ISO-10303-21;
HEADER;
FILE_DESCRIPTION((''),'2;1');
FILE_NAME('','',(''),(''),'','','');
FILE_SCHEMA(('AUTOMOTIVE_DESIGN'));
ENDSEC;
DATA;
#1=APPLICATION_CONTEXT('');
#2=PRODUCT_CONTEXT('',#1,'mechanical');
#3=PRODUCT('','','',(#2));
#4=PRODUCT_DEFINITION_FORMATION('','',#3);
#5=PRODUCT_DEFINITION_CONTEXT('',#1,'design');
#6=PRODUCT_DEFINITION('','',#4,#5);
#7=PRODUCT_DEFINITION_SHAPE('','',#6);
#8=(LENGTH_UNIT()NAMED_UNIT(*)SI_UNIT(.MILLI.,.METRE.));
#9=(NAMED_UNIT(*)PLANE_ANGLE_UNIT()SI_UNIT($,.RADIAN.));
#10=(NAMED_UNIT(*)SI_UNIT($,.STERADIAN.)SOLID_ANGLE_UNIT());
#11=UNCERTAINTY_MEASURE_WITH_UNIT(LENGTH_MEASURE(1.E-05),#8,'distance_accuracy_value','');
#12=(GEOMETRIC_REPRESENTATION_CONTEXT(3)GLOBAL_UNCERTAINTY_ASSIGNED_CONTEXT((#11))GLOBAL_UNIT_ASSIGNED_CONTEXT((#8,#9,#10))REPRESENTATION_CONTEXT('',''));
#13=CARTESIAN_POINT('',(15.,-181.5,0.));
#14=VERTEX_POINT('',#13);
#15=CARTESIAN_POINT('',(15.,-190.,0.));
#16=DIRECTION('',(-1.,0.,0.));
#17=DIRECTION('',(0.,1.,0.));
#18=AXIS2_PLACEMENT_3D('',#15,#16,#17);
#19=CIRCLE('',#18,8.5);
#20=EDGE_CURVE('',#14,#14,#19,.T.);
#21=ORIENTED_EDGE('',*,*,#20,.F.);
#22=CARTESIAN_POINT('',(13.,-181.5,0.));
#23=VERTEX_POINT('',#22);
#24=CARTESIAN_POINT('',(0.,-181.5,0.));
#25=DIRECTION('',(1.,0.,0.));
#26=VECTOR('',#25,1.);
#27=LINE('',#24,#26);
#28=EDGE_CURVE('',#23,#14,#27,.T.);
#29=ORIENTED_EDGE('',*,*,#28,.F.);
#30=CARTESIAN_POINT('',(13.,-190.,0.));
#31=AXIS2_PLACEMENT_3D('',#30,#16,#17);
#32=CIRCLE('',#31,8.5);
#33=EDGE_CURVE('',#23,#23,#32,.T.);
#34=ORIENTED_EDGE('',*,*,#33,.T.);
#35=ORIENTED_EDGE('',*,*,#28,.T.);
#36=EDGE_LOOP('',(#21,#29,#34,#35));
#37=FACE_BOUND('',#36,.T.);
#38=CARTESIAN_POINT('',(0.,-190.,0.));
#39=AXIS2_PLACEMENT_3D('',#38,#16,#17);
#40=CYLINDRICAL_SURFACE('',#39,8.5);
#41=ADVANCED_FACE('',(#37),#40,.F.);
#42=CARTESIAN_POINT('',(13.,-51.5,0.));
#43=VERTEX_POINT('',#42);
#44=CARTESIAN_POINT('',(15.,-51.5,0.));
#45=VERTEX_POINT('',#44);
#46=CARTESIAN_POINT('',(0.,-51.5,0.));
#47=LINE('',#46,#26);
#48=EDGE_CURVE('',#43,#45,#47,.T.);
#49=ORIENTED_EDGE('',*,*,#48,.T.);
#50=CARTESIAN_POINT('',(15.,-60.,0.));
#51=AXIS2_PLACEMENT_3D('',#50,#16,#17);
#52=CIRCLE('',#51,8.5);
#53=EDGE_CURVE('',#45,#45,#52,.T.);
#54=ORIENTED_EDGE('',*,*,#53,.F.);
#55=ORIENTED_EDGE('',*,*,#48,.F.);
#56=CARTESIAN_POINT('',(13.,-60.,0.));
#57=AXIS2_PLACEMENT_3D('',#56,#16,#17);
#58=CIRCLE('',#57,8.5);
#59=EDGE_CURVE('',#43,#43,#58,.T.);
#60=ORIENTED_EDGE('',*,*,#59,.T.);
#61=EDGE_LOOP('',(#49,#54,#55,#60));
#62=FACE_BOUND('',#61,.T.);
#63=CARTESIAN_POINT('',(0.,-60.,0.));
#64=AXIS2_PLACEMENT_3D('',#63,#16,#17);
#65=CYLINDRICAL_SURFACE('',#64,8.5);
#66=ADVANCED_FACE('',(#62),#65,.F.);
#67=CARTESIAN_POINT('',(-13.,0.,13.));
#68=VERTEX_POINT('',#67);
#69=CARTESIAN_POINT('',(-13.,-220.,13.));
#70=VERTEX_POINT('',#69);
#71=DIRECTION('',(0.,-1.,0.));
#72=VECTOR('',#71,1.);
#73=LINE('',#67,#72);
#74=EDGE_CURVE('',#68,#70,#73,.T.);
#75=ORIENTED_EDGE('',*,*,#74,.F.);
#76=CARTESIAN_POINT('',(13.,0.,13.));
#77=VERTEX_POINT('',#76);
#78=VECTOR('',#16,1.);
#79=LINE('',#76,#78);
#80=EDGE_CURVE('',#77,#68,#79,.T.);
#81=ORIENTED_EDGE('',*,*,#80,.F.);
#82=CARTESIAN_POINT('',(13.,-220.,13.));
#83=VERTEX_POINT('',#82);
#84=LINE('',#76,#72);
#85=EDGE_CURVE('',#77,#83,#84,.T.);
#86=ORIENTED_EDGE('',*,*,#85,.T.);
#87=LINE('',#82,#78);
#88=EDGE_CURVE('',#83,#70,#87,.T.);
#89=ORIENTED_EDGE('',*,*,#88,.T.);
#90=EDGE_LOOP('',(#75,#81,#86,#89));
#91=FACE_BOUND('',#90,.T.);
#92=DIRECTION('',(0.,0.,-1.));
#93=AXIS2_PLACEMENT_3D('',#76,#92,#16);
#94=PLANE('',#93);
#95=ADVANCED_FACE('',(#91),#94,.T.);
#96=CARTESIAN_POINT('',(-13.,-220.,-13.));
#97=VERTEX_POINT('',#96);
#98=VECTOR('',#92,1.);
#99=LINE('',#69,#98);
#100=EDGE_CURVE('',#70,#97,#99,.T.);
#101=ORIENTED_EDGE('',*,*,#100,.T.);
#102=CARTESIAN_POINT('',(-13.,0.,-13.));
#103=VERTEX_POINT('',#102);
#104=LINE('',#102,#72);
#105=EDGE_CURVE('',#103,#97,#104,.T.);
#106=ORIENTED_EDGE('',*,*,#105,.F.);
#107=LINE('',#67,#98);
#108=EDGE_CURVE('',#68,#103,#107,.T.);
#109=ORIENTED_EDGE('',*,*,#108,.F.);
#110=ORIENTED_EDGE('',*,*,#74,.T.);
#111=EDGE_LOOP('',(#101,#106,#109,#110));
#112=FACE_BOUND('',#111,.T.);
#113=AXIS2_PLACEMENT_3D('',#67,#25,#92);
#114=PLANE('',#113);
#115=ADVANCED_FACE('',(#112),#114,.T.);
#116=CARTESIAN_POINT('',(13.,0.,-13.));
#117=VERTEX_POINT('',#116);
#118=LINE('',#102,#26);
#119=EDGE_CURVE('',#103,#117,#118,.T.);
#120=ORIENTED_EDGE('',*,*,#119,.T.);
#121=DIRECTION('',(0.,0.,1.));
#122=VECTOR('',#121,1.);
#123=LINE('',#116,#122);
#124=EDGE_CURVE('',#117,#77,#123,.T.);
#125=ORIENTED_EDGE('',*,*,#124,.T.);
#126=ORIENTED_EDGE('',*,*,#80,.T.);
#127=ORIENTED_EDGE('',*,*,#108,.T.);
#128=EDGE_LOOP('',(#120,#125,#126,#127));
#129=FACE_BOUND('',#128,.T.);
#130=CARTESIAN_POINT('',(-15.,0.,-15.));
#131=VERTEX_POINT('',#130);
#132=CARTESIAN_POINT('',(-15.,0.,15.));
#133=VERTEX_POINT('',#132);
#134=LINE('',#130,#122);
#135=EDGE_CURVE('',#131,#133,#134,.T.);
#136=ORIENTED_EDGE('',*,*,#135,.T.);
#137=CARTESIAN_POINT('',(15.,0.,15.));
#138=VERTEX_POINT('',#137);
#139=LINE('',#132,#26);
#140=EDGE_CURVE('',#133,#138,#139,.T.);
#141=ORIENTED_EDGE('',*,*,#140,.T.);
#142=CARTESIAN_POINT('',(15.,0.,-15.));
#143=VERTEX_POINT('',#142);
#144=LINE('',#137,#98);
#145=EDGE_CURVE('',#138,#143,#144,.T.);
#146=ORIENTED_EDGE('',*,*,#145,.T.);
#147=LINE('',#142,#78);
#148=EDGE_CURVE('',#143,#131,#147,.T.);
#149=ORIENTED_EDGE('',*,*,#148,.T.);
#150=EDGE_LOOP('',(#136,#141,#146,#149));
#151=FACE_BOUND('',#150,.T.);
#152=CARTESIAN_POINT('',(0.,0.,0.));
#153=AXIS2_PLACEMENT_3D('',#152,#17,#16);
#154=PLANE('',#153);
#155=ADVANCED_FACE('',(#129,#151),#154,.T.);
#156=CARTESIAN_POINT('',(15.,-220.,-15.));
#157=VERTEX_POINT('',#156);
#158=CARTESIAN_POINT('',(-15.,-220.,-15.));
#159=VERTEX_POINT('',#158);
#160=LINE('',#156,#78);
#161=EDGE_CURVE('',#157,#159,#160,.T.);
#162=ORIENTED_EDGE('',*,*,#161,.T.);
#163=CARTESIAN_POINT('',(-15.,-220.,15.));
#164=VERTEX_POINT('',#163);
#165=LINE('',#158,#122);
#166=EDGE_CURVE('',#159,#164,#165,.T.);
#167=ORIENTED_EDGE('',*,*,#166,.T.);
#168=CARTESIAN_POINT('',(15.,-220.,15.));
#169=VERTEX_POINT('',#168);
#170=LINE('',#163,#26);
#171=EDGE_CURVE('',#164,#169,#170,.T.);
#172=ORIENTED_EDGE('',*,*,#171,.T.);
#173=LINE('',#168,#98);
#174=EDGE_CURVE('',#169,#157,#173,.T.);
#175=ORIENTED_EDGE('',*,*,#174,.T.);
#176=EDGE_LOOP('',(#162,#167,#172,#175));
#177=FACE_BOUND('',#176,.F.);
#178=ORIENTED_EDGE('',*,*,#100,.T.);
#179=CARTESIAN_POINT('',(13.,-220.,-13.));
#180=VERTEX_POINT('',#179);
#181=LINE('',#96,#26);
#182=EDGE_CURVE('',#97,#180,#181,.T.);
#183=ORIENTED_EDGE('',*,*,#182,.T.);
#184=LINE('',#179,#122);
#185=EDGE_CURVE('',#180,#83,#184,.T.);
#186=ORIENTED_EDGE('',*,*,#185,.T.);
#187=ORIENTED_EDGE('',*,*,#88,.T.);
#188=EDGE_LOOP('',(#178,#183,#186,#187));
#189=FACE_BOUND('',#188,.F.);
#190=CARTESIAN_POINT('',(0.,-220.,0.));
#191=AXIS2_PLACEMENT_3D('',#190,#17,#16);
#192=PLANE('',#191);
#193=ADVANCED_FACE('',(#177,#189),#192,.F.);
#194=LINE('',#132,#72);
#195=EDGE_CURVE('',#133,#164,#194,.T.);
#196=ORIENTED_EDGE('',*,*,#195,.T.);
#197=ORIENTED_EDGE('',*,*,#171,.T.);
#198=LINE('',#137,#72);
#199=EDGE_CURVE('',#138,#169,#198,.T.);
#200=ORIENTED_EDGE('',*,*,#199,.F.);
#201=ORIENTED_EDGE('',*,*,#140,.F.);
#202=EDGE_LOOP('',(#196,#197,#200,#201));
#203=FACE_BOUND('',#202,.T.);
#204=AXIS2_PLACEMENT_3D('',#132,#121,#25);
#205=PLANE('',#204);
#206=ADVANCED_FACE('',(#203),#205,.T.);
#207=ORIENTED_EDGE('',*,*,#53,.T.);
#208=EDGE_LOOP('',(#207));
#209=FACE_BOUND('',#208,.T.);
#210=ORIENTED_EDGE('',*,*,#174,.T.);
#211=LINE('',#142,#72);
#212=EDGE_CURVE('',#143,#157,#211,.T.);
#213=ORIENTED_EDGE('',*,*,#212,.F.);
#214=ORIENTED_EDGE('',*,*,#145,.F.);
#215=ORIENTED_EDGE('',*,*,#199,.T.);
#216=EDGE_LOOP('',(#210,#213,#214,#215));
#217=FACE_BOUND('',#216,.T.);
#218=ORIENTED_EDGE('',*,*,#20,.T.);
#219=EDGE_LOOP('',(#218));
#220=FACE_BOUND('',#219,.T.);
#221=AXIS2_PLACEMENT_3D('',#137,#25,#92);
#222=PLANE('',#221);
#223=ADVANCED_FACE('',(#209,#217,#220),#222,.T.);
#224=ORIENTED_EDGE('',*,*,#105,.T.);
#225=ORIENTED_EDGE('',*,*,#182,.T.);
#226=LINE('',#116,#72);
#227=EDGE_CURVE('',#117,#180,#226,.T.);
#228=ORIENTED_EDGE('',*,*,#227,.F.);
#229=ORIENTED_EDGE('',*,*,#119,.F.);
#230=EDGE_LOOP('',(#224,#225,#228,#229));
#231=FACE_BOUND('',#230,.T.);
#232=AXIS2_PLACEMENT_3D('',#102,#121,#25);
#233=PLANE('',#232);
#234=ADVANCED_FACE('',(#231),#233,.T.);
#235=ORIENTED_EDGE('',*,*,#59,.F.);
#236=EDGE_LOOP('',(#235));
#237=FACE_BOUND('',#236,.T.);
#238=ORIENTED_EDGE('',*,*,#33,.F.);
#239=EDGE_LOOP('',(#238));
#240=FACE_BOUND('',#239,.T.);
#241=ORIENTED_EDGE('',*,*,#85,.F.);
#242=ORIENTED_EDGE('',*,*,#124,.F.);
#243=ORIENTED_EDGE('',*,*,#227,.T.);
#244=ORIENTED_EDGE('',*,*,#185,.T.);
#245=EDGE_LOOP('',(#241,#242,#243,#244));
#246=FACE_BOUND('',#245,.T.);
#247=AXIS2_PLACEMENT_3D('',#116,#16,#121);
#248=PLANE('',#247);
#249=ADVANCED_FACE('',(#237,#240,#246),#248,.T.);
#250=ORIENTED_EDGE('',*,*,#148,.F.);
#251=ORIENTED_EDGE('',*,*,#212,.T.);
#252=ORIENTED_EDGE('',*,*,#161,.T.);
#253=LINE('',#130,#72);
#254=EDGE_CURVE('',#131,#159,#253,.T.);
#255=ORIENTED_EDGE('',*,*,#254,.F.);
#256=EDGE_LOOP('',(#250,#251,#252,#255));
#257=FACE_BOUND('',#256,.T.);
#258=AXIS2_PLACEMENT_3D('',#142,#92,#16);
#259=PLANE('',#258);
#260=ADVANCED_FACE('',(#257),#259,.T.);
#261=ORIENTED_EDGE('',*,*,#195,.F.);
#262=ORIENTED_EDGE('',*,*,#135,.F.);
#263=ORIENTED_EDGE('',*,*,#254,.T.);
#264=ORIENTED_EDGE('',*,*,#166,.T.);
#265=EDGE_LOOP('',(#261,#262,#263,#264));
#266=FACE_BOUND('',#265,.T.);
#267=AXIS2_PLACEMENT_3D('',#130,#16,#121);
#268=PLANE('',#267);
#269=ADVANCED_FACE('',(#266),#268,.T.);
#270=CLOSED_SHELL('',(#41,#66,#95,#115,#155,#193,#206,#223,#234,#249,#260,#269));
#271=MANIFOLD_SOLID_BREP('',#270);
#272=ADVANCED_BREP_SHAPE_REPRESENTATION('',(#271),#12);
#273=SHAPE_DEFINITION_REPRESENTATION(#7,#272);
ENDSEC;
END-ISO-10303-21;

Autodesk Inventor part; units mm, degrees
ref_plane "YZ Plane" through (0, 0, 0) normal (1, 0, 0) x (0, 1, 0)
ref_plane "XZ Plane" through (0, 0, 0) normal (0, 1, 0) x (-1, 0, 0)
ref_plane "XY Plane" through (0, 0, 0) normal (0, 0, 1) x (1, 0, 0)
sketch "Sketch9" plane through (0, 0, 0) normal (0, 1, 0) x (-1, 0, 0)
  line L0 (15, 15) -> (-15, 15)
  line L1 (-15, 15) -> (-15, -15)
  line L2 (-15, -15) -> (15, -15)
  line L3 (15, -15) -> (15, 15)
  line L4 (15, 15) -> (-15, -15) construction
  line L5 (-15, 15) -> (15, -15) construction
  line L6 (-13, 13) -> (13, 13)
  line L7 (13, 13) -> (13, -13)
  line L8 (13, -13) -> (-13, -13)
  line L9 (-13, -13) -> (-13, 13)
  point P0 (0, 0)
  dimension "d172" = 30
  dimension "d173" = 30
  dimension "d174" = 2
extrude "Extrusion3" add sketch "Sketch9" against normal blind 220
sketch "Sketch10" plane through (0, 0, 0) normal (1, 0, 0) x (0, 1, 0)
  line L0 (0, 15) -> (0, -15) construction
  line L1 (0, 15) -> (-220, 15) construction
  line L2 (-220, -15) -> (-220, 15) construction
  line L3 (0, -15) -> (-220, -15) construction
  line L4 (-68.5, 8.5) -> (-51.5, 8.5)
  line L5 (-51.5, 8.5) -> (-51.5, -8.5)
  line L6 (-51.5, -8.5) -> (-68.5, -8.5)
  line L7 (-68.5, -8.5) -> (-68.5, 8.5)
  line L8 (-68.5, 8.5) -> (-51.5, -8.5) construction
  line L9 (-51.5, 8.5) -> (-68.5, -8.5) construction
  line L10 (-198.5, 8.5) -> (-181.5, 8.5)
  line L11 (-181.5, 8.5) -> (-181.5, -8.5)
  line L12 (-181.5, -8.5) -> (-198.5, -8.5)
  line L13 (-198.5, -8.5) -> (-198.5, 8.5)
  line L14 (-198.5, 8.5) -> (-181.5, -8.5) construction
  line L15 (-181.5, 8.5) -> (-198.5, -8.5) construction
  line L16 (-428.5, 8.5) -> (-411.5, 8.5)
  line L17 (-411.5, 8.5) -> (-411.5, -8.5)
  line L18 (-411.5, -8.5) -> (-428.5, -8.5)
  line L19 (-428.5, -8.5) -> (-428.5, 8.5)
  line L20 (-428.5, 8.5) -> (-411.5, -8.5) construction
  line L21 (-411.5, 8.5) -> (-428.5, -8.5) construction
  circle A0 centre (-470, 0) radius 8.5
  line L22 (0, 0) -> (30, 0)
  circle A1 centre (-60, 0) radius 8.5
  circle A2 centre (-190, 0) radius 8.5
  circle A3 centre (-420, 0) radius 8.5
  dimension "d177" = 17
  dimension "d178" = 17
  dimension "d181" = 30
  dimension "d182" = 90
  dimension "d183" = 220
  dimension "d184" = 450
  dimension "d185" = 500
  dimension "d186" = 17
extrude "Extrusion4" cut sketch "Sketch10" along normal through all contours A1 | A2
properties part number "TZS 1663 FDS 940 way tube 3" material "Stainless Steel"
